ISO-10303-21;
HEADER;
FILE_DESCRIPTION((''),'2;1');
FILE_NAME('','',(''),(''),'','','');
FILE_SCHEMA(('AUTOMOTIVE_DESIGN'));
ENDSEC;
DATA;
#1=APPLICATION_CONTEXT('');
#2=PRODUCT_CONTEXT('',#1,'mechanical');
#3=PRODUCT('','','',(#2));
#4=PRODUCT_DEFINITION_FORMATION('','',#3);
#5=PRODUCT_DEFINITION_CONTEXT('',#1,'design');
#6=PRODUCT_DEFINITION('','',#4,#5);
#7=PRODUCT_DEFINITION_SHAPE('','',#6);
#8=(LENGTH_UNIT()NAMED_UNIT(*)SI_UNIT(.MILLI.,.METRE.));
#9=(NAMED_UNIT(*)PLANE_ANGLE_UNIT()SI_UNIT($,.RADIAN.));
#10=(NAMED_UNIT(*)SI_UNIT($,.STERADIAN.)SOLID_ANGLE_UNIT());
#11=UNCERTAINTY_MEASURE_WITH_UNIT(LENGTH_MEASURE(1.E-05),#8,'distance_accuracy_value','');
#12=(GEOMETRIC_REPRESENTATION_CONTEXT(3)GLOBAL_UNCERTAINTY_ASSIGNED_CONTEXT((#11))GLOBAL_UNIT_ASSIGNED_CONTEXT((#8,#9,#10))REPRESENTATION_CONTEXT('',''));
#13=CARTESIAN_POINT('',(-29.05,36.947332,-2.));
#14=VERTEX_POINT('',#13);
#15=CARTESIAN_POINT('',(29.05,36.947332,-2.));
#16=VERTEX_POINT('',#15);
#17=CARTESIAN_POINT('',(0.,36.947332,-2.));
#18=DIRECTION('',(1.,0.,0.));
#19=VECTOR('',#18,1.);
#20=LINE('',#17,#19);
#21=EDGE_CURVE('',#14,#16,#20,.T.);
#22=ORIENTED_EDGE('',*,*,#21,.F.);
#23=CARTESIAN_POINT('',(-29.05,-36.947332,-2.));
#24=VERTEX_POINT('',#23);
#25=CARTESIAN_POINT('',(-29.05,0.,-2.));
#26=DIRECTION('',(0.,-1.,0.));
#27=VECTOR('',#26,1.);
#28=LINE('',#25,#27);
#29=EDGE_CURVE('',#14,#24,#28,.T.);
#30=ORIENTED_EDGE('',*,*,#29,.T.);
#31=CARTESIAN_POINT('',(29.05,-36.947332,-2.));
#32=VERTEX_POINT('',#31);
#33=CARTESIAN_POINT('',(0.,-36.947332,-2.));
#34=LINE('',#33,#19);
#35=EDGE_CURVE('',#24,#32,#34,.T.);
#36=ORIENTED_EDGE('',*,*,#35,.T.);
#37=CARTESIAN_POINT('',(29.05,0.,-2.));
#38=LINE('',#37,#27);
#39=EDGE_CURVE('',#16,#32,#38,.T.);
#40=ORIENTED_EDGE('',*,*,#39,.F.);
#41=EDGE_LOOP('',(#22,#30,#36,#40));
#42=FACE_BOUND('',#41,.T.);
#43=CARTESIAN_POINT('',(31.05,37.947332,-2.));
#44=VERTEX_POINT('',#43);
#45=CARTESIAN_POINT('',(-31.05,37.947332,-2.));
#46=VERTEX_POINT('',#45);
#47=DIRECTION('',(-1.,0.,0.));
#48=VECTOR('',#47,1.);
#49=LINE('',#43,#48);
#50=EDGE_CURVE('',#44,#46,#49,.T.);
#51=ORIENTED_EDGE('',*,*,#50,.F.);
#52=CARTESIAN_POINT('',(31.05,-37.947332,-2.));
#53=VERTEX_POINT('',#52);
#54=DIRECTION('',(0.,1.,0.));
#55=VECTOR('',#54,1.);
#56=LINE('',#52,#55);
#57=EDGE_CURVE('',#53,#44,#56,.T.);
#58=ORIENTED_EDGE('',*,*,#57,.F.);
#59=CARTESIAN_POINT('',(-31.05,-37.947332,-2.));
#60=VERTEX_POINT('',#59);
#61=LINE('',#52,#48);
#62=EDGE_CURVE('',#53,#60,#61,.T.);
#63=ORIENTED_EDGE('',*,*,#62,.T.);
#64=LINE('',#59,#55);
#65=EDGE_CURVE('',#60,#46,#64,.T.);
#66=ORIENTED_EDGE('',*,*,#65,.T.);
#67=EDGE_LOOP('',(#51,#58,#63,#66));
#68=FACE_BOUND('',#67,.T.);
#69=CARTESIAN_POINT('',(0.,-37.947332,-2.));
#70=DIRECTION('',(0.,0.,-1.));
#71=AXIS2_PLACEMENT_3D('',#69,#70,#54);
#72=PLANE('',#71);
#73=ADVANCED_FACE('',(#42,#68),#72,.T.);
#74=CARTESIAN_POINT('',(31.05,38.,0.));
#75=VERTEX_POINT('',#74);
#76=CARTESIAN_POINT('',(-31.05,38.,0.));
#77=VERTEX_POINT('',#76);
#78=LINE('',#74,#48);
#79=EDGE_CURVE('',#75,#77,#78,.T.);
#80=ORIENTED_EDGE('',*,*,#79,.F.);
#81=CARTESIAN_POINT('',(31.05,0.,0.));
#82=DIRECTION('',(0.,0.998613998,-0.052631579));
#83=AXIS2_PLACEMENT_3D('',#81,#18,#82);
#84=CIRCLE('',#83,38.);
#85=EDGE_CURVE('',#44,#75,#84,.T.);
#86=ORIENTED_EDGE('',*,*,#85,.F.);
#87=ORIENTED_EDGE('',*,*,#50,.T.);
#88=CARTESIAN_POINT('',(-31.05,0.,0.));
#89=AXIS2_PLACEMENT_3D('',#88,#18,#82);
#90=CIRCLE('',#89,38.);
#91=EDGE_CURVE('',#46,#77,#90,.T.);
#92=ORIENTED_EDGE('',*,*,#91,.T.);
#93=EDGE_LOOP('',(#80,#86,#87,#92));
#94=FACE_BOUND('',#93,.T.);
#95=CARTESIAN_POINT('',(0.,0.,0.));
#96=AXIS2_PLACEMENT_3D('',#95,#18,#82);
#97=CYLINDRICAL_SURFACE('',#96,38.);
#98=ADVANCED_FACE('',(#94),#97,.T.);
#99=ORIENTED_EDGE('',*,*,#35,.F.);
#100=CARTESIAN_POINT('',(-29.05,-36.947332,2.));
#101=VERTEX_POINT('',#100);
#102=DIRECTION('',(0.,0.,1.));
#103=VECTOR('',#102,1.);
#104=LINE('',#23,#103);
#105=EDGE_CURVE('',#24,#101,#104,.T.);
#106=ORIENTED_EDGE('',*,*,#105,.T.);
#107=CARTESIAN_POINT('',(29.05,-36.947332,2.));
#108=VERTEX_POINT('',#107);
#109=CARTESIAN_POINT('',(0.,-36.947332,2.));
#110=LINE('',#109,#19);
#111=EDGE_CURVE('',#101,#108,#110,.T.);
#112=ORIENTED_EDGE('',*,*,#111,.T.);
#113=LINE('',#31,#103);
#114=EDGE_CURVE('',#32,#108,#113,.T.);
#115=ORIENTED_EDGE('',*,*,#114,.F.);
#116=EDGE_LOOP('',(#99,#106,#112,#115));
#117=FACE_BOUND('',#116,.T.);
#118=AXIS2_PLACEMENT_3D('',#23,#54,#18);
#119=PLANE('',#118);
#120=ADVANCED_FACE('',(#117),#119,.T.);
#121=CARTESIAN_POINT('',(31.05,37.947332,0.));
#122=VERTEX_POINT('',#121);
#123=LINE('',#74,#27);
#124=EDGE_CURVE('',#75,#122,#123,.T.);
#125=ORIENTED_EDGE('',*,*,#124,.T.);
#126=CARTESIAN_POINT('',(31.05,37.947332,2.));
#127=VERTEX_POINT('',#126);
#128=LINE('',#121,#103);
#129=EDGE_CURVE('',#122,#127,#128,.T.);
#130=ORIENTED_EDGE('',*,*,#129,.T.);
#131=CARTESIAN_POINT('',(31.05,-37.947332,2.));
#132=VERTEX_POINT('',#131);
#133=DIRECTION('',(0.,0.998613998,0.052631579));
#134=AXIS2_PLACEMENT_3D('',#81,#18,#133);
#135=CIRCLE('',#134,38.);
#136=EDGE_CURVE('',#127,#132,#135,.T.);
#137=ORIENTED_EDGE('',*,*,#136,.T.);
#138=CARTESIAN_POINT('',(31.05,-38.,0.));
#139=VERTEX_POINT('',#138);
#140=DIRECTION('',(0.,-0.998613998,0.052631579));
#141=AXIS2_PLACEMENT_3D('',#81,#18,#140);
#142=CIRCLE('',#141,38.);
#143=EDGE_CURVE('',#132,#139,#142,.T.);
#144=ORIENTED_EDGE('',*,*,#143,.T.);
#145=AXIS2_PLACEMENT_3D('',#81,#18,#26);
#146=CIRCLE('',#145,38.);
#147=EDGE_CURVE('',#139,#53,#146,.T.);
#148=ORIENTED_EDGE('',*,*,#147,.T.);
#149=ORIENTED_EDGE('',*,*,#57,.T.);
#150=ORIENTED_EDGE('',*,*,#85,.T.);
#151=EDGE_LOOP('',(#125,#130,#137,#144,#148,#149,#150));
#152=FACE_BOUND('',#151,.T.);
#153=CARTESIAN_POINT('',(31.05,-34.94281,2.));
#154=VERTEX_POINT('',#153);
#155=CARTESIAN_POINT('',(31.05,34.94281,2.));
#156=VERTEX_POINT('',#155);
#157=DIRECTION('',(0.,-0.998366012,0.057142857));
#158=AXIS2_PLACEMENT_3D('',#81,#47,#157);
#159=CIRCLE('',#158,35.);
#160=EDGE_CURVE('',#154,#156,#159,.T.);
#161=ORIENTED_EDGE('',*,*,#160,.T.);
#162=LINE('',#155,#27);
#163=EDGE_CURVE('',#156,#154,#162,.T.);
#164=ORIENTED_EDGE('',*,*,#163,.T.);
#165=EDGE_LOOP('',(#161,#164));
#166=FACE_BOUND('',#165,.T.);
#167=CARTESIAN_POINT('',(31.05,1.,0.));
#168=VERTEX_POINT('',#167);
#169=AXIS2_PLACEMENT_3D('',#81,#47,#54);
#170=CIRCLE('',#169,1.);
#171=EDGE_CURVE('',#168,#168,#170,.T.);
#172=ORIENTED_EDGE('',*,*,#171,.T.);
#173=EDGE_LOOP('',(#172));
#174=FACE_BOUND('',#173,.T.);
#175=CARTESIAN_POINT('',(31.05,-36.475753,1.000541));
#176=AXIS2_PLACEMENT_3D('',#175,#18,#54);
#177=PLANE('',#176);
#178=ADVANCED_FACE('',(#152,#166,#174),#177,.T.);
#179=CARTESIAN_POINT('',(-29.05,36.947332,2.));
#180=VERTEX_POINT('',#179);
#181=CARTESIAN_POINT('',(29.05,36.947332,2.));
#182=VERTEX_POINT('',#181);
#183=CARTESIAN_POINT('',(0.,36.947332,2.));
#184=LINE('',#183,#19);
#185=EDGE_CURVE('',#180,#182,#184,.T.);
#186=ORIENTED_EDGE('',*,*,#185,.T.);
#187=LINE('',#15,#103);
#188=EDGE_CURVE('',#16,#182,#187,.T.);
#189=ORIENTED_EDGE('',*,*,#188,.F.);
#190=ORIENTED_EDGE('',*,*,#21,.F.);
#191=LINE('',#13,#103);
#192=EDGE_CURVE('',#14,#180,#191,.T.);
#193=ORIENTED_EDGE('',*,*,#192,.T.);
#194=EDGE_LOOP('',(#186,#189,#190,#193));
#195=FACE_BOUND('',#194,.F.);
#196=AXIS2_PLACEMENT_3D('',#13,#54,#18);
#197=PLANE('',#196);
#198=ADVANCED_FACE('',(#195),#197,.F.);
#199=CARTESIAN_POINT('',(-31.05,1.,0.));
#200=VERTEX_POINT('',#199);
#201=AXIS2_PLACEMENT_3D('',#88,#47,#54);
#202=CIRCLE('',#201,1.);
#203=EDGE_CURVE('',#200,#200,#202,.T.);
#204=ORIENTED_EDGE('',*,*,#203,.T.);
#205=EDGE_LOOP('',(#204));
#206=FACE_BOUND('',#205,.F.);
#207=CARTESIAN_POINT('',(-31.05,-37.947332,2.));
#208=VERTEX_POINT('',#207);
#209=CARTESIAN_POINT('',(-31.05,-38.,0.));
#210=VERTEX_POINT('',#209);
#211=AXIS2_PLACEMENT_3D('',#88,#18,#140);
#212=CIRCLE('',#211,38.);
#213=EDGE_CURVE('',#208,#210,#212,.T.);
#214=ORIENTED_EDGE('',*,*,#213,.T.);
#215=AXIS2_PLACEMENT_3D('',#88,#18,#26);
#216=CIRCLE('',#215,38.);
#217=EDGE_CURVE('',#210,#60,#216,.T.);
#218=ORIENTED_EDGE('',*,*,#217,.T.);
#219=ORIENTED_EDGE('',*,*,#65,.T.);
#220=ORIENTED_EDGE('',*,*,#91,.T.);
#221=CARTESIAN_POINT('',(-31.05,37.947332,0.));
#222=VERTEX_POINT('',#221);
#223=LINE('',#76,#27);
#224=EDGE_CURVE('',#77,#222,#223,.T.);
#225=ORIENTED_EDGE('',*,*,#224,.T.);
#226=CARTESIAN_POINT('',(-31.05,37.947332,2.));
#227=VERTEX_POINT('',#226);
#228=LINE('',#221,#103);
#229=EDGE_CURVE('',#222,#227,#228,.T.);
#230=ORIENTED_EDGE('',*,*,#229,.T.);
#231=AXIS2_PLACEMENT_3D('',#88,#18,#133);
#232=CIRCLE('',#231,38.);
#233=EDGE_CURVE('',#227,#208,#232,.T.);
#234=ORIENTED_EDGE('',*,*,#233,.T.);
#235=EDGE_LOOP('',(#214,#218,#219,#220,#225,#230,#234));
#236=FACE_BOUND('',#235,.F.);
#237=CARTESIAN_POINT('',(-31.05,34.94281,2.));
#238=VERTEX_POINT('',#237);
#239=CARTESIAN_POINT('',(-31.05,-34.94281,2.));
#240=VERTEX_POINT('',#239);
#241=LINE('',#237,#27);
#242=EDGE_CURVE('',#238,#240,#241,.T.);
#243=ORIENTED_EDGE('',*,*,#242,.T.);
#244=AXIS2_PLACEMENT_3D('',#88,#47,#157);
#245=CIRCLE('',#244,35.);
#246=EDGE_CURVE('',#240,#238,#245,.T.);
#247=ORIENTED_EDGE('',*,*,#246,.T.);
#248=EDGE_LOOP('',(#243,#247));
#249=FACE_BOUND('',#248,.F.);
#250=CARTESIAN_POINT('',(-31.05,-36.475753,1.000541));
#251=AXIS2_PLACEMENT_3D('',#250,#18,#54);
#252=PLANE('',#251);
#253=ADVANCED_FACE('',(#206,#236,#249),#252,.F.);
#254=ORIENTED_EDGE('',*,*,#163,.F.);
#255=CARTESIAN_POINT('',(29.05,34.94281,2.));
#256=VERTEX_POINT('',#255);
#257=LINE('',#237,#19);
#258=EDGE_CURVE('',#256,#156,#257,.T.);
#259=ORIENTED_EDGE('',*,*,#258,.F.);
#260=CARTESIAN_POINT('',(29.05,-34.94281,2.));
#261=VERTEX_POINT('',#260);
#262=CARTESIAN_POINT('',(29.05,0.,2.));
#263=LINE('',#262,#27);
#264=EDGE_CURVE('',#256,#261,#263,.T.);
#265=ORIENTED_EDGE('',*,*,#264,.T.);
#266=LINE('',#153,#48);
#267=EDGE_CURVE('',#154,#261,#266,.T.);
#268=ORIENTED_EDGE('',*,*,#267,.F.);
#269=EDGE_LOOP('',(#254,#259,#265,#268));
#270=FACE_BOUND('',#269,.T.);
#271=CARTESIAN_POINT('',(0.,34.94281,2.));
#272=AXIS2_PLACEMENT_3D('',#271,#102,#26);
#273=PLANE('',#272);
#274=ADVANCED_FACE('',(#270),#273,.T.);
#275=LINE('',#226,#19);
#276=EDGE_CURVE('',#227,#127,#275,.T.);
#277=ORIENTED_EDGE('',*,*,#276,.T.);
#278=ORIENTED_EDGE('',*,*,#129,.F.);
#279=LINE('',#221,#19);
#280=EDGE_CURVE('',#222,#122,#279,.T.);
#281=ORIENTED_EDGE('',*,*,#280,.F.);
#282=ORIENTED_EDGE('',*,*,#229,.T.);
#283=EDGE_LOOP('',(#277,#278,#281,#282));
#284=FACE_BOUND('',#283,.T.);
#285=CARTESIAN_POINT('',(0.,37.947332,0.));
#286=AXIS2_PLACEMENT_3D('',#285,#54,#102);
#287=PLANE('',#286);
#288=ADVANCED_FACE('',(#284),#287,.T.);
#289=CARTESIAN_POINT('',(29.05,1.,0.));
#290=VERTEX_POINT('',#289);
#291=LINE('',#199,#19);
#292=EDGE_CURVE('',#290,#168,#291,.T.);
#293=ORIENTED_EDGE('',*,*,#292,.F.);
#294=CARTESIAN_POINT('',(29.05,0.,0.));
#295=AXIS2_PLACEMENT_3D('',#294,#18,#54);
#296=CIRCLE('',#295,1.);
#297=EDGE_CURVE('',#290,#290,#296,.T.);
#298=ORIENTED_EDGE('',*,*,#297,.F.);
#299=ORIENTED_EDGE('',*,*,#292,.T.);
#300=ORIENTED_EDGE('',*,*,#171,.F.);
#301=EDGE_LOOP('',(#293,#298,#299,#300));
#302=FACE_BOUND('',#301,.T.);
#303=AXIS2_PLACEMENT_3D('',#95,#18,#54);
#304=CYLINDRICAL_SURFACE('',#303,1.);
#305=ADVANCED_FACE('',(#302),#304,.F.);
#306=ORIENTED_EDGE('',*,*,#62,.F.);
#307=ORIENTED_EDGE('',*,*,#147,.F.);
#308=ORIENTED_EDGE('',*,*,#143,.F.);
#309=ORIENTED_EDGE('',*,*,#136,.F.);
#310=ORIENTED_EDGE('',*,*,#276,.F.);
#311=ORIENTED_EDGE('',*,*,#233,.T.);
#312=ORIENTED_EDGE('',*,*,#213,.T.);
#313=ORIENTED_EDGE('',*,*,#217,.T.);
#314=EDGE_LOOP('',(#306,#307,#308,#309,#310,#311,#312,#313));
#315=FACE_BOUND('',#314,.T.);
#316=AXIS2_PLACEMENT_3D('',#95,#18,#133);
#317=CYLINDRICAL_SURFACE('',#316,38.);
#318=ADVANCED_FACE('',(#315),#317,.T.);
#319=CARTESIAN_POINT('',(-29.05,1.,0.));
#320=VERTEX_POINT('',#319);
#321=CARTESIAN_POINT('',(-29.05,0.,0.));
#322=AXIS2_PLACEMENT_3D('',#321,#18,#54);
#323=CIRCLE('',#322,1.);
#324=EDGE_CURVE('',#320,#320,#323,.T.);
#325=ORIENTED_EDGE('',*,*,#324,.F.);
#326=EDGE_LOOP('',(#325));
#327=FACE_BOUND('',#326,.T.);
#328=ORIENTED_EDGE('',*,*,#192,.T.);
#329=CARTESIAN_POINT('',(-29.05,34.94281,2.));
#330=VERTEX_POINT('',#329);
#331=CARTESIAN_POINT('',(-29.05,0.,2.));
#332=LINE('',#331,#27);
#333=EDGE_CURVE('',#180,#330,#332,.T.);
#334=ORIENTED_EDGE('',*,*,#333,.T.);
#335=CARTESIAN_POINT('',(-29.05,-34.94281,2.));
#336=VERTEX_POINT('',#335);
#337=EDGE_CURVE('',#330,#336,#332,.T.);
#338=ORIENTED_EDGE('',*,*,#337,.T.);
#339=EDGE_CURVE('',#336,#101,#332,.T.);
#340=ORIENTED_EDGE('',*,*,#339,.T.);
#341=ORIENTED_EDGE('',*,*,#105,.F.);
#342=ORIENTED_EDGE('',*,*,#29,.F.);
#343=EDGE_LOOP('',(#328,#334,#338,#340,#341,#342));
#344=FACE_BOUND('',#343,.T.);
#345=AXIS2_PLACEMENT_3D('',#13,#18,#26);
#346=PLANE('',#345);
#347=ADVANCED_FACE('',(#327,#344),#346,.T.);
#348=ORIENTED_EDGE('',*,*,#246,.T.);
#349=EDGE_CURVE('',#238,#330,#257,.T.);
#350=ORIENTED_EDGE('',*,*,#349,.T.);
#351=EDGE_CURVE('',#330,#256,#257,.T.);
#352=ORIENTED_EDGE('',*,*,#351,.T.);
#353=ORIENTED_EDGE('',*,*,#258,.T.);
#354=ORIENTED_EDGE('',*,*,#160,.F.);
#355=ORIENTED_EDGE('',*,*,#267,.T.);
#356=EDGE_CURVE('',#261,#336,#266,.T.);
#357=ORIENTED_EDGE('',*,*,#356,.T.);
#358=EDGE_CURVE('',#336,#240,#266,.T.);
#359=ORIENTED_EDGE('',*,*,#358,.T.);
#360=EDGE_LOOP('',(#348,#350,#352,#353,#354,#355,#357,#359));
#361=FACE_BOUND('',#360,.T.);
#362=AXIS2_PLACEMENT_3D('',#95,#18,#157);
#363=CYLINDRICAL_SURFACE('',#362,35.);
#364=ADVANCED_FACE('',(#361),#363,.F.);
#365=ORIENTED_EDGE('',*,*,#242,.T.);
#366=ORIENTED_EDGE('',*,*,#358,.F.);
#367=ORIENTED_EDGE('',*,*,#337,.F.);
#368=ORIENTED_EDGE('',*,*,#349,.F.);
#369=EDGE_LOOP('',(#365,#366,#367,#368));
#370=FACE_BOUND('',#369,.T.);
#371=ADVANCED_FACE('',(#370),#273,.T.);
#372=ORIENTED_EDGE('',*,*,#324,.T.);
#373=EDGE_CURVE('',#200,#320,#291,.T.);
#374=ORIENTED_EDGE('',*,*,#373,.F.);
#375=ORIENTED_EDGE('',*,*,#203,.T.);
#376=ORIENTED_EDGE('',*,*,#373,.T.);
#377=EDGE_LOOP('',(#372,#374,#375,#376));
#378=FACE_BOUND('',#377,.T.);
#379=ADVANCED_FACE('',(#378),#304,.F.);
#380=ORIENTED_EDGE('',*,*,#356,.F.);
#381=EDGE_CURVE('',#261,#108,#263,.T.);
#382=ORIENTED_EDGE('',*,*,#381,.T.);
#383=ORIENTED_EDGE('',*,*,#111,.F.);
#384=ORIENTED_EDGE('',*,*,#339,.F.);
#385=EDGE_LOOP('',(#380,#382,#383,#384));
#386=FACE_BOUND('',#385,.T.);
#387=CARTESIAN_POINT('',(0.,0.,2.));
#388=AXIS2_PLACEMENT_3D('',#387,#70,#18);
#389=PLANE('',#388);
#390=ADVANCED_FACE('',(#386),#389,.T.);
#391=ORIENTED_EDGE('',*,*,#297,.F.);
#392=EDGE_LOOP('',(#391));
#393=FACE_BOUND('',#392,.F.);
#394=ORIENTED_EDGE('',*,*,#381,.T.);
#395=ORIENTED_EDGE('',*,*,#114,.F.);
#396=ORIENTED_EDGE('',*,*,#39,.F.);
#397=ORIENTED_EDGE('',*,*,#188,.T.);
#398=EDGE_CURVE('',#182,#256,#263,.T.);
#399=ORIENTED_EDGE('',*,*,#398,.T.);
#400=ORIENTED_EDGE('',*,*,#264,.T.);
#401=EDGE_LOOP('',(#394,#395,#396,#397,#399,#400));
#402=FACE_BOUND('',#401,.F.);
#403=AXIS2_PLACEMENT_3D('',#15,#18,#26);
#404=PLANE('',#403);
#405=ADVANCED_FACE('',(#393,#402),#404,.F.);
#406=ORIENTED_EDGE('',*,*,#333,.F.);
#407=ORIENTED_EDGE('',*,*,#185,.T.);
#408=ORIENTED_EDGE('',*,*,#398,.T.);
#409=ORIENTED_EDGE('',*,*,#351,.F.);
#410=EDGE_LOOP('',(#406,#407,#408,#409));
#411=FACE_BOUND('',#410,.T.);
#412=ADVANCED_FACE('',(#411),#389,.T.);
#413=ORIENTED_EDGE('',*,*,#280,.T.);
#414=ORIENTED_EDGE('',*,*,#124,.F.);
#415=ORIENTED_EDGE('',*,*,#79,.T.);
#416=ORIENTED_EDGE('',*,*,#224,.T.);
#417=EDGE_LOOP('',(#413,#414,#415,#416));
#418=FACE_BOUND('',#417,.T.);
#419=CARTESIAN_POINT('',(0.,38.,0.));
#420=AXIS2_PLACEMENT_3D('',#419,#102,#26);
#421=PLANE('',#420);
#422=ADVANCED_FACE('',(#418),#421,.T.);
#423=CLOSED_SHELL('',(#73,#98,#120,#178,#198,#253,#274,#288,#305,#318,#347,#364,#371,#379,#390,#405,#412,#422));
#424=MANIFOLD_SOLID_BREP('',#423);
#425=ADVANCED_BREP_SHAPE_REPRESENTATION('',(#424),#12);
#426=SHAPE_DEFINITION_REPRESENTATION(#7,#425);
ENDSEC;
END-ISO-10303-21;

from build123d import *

# Parameters (mm, degrees)
F1_DEPTH = 31.05
F2_W     = 58.1
F2_H     = 73.894663844
F3_DEPTH = 4


with BuildPart() as f1:
    # F0 (on Right) → F1 (new body, symmetric)
    with BuildSketch(Plane.YZ):
        with BuildLine():
            ThreePointArc((-35, 0), (-34.9856996834, 1.0004087475), (-34.9428104193, 2))
            Line((-34.9428104193, 2), (-37.947331922, 2))
            ThreePointArc((-37.947331922, 2), (-37.9868306985, 1.0003466807), (-38, 0))
            Line((-38, 0), (-35, 0))
        make_face()
        with BuildLine():
            ThreePointArc((-34.9428104193, 2), (0, 35), (34.9428104193, 2))
            Line((34.9428104193, 2), (37.947331922, 2))
            ThreePointArc((37.947331922, 2), (0, 38), (-37.947331922, 2))
            Line((-37.947331922, 2), (-34.9428104193, 2))
        make_face()
        with BuildLine():
            Line((1, 0), (35, 0))
            ThreePointArc((35, 0), (34.9856996834, 1.0004087475), (34.9428104193, 2))
            Line((34.9428104193, 2), (-34.9428104193, 2))
            ThreePointArc((-34.9428104193, 2), (-34.9856996834, 1.0004087475), (-35, 0))
            Line((-35, 0), (-1, 0))
            ThreePointArc((-1, 0), (0, 1), (1, 0))
        make_face()
        with BuildLine():
            ThreePointArc((34.9428104193, -2), (34.9856996834, -1.0004087475), (35, 0))
            Line((35, 0), (1, 0))
            ThreePointArc((1, 0), (0, -1), (-1, 0))
            Line((-1, 0), (-35, 0))
            ThreePointArc((-35, 0), (-34.9856996834, -1.0004087475), (-34.9428104193, -2))
            Line((-34.9428104193, -2), (34.9428104193, -2))
        make_face()
        with BuildLine():
            Line((-37.947331922, -2), (-34.9428104193, -2))
            ThreePointArc((-34.9428104193, -2), (-34.9856996834, -1.0004087475), (-35, 0))
            Line((-35, 0), (-38, 0))
            ThreePointArc((-38, 0), (-37.9868306985, -1.0003466807), (-37.947331922, -2))
        make_face()
        with BuildLine():
            Line((37.947331922, 0), (35, 0))
            ThreePointArc((35, 0), (34.9856996834, -1.0004087475), (34.9428104193, -2))
            Line((34.9428104193, -2), (37.947331922, -2))
            ThreePointArc((37.947331922, -2), (37.9868306985, -1.0003466807), (38, 0))
            Line((38, 0), (37.947331922, 0))
        make_face()
        with BuildLine():
            ThreePointArc((34.9428104193, 2), (34.9856996834, 1.0004087475), (35, 0))
            Line((35, 0), (37.947331922, 0))
            Line((37.947331922, 0), (37.947331922, 2))
            Line((37.947331922, 2), (34.9428104193, 2))
        make_face()
    extrude(amount=F1_DEPTH, both=True)

    # F2 (on face) → F3 (cut, through all)
    with BuildSketch(Plane(origin=(0, 0, -2), x_dir=(1, 0, 0), z_dir=(0, 0, -1))):
        Rectangle(F2_W, F2_H)
    extrude(amount=-F3_DEPTH, mode=Mode.SUBTRACT)


solid = f1.part
